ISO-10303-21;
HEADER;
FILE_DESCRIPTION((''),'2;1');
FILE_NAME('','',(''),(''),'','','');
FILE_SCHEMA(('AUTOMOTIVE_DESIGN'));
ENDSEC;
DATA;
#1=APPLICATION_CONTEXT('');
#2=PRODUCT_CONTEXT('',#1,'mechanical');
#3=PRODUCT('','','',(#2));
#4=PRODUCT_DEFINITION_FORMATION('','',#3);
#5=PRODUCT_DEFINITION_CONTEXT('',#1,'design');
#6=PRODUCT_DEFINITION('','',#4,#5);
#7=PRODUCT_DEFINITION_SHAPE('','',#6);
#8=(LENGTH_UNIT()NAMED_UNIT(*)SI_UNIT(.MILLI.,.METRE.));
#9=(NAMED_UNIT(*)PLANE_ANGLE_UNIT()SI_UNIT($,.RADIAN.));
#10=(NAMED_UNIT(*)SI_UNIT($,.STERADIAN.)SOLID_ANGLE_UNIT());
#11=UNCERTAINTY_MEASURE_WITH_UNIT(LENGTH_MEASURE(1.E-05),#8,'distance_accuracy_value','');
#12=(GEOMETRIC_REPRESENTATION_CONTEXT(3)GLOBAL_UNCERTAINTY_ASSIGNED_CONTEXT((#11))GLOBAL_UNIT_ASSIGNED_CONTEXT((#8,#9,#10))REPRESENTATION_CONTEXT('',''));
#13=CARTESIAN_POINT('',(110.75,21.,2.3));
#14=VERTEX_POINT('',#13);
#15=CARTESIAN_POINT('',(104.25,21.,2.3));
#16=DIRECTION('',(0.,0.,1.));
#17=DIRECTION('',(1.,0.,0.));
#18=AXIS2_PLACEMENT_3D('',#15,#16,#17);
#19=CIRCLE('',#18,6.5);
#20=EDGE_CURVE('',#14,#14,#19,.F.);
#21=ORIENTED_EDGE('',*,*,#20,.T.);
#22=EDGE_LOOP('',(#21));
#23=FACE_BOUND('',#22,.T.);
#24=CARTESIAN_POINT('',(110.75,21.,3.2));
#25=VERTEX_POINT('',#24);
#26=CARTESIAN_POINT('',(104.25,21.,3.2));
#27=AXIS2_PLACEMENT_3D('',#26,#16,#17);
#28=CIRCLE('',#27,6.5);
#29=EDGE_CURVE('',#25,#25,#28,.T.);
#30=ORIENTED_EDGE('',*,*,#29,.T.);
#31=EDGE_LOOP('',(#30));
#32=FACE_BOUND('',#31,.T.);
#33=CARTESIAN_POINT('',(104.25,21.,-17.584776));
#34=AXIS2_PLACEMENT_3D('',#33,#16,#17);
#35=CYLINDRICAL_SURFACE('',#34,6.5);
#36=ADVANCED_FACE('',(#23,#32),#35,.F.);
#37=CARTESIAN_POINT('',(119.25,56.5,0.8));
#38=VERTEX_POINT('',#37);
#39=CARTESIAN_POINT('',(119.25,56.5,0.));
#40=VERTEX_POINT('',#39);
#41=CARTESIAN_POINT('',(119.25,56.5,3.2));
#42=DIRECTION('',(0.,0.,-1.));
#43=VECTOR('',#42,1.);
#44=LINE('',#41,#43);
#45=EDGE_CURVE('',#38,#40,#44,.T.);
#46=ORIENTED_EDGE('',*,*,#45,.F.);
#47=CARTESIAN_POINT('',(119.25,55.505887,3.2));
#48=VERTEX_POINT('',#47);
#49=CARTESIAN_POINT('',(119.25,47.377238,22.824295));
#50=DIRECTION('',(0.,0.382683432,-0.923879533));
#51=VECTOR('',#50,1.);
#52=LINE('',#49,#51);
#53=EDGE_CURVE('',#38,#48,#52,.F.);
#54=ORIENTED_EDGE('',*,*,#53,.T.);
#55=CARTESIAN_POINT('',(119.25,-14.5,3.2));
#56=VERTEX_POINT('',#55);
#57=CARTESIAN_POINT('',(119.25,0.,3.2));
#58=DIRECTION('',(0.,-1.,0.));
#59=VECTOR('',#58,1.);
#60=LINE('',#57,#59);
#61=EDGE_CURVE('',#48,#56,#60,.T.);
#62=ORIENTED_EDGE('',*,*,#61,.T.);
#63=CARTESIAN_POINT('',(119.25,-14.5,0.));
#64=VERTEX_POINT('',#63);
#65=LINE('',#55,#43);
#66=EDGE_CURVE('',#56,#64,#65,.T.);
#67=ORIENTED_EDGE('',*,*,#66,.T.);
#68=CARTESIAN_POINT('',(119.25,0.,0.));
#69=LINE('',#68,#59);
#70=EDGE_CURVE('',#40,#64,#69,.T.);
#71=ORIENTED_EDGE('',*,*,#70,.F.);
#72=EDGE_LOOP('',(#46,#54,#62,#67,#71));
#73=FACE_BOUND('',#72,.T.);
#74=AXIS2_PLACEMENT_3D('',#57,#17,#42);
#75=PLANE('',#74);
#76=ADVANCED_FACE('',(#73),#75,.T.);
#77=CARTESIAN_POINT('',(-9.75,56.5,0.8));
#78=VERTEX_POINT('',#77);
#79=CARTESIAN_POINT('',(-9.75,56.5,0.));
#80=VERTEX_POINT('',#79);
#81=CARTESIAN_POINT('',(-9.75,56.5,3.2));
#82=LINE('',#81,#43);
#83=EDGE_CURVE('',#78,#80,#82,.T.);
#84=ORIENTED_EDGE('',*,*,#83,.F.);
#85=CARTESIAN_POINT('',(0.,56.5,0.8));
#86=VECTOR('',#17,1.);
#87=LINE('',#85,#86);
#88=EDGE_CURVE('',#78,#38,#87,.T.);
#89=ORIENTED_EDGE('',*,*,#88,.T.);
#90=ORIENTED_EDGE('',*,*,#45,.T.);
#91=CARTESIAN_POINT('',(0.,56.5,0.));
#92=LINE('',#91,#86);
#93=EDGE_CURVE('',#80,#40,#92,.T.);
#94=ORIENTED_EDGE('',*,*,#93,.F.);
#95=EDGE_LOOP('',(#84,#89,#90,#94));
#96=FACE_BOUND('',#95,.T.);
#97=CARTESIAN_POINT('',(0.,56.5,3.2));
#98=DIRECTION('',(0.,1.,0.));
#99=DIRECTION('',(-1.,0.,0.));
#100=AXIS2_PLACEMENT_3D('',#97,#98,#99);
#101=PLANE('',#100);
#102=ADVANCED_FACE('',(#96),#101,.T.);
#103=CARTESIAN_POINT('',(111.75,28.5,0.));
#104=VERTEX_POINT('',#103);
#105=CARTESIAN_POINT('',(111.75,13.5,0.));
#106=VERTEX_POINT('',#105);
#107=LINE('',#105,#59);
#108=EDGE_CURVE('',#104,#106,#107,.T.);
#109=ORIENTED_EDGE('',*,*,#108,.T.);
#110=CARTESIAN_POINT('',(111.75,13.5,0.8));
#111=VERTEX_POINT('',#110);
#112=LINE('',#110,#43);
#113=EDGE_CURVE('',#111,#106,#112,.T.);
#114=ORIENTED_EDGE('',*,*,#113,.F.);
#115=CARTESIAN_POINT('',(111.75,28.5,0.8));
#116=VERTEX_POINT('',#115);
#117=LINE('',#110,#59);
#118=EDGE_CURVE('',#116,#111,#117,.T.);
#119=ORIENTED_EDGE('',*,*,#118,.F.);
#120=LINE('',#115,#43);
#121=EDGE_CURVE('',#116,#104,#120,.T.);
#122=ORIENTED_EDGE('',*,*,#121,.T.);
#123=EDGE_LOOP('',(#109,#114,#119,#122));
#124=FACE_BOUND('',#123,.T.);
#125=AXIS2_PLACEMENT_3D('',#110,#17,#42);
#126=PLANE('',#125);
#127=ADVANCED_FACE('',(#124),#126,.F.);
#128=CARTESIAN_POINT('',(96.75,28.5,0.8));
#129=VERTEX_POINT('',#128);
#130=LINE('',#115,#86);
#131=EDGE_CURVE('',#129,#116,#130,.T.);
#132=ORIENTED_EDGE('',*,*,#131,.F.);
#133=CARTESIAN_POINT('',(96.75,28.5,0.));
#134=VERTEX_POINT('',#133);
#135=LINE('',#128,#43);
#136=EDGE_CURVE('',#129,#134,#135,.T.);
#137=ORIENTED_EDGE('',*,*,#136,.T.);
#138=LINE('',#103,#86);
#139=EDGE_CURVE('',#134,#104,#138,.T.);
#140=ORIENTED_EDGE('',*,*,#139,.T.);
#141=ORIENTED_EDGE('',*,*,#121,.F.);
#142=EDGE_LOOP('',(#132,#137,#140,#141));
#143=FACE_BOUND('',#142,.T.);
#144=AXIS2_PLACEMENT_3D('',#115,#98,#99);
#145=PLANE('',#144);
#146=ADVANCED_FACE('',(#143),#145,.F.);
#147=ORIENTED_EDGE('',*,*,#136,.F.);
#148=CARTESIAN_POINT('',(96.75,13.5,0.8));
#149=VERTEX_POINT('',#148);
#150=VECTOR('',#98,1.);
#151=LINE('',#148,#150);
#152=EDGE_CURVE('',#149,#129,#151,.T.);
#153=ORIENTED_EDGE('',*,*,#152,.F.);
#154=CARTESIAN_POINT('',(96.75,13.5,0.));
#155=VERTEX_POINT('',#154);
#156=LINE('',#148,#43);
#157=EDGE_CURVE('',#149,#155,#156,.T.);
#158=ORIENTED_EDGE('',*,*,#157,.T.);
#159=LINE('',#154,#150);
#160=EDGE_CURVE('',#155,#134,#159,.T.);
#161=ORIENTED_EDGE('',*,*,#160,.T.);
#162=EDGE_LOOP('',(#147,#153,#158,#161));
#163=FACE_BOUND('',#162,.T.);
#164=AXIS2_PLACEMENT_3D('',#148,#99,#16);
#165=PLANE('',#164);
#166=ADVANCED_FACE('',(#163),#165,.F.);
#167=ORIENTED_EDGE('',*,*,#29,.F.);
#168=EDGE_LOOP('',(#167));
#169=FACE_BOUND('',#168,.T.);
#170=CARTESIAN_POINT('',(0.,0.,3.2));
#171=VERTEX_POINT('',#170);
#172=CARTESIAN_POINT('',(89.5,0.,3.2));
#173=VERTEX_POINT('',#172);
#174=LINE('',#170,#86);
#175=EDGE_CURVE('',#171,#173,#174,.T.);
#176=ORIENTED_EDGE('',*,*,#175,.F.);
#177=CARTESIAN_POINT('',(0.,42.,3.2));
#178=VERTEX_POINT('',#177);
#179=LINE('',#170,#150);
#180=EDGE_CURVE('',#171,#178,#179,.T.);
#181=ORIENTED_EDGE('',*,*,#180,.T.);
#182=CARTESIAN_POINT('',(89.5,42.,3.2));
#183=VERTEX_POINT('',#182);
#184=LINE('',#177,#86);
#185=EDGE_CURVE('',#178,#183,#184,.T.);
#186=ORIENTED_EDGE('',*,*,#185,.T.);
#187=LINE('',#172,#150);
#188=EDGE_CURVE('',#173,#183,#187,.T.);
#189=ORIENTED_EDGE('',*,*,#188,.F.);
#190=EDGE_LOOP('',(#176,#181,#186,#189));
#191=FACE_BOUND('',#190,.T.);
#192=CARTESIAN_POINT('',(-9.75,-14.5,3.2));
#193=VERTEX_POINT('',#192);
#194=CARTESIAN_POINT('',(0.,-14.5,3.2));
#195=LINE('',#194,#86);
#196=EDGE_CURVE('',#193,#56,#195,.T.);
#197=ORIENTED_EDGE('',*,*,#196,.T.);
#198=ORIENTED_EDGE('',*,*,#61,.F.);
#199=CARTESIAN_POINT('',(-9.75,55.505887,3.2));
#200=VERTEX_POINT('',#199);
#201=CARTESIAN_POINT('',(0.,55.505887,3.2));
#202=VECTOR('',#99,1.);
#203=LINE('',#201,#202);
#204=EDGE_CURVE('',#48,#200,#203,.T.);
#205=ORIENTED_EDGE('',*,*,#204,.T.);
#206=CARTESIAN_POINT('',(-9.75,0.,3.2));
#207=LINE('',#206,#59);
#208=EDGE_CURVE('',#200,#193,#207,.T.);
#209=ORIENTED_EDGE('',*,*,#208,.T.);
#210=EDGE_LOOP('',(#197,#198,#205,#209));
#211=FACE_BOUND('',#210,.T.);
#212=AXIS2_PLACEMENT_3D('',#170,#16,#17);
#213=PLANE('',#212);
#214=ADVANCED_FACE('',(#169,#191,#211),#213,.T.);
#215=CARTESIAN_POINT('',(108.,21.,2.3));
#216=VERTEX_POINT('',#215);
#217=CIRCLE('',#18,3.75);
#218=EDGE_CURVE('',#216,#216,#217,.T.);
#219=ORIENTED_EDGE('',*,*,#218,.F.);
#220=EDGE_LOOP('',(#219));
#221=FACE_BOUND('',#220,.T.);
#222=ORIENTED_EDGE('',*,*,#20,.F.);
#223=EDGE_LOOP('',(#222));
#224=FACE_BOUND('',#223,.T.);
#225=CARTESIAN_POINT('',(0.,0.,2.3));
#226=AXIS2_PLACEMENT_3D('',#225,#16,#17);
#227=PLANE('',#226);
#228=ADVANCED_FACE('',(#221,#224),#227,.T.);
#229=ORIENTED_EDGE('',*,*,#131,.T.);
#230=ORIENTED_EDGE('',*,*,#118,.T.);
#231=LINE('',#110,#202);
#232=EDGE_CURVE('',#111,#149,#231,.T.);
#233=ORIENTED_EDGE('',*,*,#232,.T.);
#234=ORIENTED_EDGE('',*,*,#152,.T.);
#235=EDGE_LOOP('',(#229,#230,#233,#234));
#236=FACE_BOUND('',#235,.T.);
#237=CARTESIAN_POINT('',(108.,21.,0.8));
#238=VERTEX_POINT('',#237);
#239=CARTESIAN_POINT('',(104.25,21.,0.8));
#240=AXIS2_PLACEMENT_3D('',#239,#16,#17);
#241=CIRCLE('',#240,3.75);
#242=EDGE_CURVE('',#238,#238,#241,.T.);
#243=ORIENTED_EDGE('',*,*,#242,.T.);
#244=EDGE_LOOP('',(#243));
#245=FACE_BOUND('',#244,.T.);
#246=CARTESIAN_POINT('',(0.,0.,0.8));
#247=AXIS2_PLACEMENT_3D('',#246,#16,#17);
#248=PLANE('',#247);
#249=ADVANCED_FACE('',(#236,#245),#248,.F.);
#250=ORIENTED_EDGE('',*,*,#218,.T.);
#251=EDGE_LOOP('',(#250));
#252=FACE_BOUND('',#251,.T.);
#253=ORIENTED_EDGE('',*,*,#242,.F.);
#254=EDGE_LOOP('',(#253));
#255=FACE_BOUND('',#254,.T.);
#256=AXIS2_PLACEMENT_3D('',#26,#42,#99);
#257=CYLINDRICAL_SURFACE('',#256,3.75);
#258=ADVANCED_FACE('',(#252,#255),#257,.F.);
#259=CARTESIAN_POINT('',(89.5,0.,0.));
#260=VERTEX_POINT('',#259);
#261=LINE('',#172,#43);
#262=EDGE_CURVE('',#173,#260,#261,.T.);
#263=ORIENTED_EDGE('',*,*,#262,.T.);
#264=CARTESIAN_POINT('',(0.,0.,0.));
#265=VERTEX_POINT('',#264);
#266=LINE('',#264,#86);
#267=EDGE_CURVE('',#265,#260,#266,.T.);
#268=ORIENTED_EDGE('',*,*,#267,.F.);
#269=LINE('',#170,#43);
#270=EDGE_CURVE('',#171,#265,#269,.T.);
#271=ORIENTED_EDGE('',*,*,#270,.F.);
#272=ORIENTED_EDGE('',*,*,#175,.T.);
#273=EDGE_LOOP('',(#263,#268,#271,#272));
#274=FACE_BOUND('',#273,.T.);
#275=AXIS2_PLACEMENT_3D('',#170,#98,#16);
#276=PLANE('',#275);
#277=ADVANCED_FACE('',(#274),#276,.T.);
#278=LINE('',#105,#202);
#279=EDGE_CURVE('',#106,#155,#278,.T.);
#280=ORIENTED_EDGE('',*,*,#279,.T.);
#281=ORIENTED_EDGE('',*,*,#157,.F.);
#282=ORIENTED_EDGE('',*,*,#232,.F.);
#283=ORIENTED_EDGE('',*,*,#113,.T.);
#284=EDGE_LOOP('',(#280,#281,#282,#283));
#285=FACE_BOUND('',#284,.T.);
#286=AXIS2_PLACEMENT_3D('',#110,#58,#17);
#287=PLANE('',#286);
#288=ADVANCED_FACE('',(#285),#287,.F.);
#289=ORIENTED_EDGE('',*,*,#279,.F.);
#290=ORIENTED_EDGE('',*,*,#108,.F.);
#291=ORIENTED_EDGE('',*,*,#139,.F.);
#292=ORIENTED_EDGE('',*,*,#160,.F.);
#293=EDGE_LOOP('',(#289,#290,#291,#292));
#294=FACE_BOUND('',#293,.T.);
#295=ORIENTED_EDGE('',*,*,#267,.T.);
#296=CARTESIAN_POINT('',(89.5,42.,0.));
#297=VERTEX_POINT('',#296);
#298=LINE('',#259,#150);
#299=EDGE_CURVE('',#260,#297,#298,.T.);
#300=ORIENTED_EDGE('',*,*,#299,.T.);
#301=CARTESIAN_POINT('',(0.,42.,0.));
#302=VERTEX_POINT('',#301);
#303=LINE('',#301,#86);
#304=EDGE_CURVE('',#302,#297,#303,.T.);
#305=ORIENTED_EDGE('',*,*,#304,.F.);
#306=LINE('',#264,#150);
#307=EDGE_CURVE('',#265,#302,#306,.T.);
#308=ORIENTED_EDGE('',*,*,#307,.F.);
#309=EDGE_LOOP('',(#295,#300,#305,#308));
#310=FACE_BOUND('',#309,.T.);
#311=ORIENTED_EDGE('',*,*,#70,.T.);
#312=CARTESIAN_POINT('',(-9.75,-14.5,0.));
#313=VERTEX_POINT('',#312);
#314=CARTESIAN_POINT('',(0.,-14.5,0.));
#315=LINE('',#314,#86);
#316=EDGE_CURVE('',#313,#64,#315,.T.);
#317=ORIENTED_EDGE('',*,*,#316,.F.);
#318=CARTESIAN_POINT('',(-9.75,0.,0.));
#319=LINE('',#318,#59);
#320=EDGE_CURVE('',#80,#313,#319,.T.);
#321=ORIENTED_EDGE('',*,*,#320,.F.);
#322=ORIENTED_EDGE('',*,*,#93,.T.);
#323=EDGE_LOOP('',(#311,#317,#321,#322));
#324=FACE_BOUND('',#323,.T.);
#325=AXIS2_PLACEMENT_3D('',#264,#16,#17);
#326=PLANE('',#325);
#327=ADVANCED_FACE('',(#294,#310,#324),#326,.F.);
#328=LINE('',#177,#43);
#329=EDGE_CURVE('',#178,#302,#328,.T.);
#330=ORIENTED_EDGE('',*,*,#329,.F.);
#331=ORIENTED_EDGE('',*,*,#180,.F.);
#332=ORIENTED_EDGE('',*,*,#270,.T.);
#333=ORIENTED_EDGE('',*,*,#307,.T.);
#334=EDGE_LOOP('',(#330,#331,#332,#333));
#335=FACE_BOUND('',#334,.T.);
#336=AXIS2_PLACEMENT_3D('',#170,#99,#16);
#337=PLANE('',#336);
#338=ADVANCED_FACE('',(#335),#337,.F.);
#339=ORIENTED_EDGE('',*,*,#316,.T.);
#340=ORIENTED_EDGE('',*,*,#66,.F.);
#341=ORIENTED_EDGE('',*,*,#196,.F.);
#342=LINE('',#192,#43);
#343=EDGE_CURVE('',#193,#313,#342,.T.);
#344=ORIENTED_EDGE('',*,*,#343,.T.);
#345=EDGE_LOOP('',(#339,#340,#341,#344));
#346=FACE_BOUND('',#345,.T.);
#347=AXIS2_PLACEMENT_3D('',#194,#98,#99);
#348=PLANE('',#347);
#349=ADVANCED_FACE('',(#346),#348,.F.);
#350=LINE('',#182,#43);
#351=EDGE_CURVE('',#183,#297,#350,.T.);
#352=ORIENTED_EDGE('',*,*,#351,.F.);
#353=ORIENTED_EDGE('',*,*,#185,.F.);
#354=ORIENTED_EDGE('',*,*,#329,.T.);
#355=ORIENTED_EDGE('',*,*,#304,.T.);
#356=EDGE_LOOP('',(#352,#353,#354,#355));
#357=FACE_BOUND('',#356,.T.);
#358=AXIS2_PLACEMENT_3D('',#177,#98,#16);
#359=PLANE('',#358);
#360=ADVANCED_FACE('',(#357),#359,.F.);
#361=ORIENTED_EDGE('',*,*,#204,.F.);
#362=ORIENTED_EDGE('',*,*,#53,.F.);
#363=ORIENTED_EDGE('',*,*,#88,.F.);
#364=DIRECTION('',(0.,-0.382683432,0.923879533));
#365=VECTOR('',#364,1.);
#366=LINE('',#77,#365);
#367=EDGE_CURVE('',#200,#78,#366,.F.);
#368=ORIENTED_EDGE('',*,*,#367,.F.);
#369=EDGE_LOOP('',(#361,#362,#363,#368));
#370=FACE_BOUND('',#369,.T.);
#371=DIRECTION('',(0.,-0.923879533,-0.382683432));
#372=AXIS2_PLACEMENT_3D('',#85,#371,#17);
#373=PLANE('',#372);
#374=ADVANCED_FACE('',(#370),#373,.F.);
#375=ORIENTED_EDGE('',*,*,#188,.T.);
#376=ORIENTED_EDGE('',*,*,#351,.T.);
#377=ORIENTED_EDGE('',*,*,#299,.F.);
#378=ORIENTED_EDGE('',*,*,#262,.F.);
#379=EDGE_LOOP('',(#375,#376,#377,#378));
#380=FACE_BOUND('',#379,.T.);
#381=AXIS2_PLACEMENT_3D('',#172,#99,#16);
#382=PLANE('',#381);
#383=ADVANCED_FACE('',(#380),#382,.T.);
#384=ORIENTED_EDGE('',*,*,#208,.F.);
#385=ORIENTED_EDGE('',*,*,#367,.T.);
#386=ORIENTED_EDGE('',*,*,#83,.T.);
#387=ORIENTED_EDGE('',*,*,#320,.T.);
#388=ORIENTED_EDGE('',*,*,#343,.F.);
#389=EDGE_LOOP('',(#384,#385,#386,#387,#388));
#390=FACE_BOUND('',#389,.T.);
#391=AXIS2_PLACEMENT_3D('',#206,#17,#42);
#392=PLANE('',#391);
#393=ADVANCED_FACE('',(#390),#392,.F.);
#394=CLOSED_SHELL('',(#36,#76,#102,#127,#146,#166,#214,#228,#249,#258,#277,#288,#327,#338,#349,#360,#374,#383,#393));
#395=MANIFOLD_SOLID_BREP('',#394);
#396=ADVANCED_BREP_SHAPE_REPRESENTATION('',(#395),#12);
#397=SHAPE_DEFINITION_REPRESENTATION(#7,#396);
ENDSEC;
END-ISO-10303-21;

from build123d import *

# Parameters (mm, degrees)
SKETCH1_R           = 3.75
SKETCH1_W           = 89.5
SKETCH1_H           = 42
BOSS_EXTRUDE1_DEPTH = 3.2
CHAMFER1_SIZE       = 2.4
CHAMFER1_SIZE2      = 0.99411255
SKETCH3_W           = 15
SKETCH3_H           = 15
CUT_EXTRUDE2_DEPTH  = 0.8
SKETCH4_R           = 6.5
CUT_EXTRUDE3_DEPTH  = 0.9


with BuildPart() as part:
    # Sketch1 → Boss-Extrude1 (new body)
    with BuildSketch(Plane.XY):
        Polygon((-9.75, 56.5), (99.25, 56.5), (119.25, 56.5), (119.25, -14.5), (99.25, -14.5), (-9.75, -14.5), align=None)
        with Locations((104.25, 21)):
            Circle(SKETCH1_R, mode=Mode.SUBTRACT)
        with Locations((44.75, 21)):
            Rectangle(SKETCH1_W, SKETCH1_H, mode=Mode.SUBTRACT)
    extrude(amount=BOSS_EXTRUDE1_DEPTH)

    # Chamfer1
    chamfer1_edges = [part.edges().sort_by_distance(p)[0] for p in [
        (54.75, 56.5, 3.2),
    ]]
    chamfer1_side = [part.faces().sort_by_distance(p)[0] for p in [
        (54.75, 56.5, 1.6),
    ]]
    chamfer(chamfer1_edges, length=CHAMFER1_SIZE, length2=CHAMFER1_SIZE2, reference=chamfer1_side[0])

    # Sketch3 → Cut-Extrude2 (cut)
    with BuildSketch(Plane(origin=(0, 0, 0), x_dir=(-1, 0, 0), z_dir=(0, 0, -1))):
        with Locations((-104.25, 21)):
            Rectangle(SKETCH3_W, SKETCH3_H)
    extrude(amount=-CUT_EXTRUDE2_DEPTH, mode=Mode.SUBTRACT)

    # Sketch4 → Cut-Extrude3 (cut)
    with BuildSketch(Plane.XY.offset(3.2)):
        with Locations((104.25, 21)):
            Circle(SKETCH4_R)
    extrude(amount=-CUT_EXTRUDE3_DEPTH, mode=Mode.SUBTRACT)


solid = part.part
